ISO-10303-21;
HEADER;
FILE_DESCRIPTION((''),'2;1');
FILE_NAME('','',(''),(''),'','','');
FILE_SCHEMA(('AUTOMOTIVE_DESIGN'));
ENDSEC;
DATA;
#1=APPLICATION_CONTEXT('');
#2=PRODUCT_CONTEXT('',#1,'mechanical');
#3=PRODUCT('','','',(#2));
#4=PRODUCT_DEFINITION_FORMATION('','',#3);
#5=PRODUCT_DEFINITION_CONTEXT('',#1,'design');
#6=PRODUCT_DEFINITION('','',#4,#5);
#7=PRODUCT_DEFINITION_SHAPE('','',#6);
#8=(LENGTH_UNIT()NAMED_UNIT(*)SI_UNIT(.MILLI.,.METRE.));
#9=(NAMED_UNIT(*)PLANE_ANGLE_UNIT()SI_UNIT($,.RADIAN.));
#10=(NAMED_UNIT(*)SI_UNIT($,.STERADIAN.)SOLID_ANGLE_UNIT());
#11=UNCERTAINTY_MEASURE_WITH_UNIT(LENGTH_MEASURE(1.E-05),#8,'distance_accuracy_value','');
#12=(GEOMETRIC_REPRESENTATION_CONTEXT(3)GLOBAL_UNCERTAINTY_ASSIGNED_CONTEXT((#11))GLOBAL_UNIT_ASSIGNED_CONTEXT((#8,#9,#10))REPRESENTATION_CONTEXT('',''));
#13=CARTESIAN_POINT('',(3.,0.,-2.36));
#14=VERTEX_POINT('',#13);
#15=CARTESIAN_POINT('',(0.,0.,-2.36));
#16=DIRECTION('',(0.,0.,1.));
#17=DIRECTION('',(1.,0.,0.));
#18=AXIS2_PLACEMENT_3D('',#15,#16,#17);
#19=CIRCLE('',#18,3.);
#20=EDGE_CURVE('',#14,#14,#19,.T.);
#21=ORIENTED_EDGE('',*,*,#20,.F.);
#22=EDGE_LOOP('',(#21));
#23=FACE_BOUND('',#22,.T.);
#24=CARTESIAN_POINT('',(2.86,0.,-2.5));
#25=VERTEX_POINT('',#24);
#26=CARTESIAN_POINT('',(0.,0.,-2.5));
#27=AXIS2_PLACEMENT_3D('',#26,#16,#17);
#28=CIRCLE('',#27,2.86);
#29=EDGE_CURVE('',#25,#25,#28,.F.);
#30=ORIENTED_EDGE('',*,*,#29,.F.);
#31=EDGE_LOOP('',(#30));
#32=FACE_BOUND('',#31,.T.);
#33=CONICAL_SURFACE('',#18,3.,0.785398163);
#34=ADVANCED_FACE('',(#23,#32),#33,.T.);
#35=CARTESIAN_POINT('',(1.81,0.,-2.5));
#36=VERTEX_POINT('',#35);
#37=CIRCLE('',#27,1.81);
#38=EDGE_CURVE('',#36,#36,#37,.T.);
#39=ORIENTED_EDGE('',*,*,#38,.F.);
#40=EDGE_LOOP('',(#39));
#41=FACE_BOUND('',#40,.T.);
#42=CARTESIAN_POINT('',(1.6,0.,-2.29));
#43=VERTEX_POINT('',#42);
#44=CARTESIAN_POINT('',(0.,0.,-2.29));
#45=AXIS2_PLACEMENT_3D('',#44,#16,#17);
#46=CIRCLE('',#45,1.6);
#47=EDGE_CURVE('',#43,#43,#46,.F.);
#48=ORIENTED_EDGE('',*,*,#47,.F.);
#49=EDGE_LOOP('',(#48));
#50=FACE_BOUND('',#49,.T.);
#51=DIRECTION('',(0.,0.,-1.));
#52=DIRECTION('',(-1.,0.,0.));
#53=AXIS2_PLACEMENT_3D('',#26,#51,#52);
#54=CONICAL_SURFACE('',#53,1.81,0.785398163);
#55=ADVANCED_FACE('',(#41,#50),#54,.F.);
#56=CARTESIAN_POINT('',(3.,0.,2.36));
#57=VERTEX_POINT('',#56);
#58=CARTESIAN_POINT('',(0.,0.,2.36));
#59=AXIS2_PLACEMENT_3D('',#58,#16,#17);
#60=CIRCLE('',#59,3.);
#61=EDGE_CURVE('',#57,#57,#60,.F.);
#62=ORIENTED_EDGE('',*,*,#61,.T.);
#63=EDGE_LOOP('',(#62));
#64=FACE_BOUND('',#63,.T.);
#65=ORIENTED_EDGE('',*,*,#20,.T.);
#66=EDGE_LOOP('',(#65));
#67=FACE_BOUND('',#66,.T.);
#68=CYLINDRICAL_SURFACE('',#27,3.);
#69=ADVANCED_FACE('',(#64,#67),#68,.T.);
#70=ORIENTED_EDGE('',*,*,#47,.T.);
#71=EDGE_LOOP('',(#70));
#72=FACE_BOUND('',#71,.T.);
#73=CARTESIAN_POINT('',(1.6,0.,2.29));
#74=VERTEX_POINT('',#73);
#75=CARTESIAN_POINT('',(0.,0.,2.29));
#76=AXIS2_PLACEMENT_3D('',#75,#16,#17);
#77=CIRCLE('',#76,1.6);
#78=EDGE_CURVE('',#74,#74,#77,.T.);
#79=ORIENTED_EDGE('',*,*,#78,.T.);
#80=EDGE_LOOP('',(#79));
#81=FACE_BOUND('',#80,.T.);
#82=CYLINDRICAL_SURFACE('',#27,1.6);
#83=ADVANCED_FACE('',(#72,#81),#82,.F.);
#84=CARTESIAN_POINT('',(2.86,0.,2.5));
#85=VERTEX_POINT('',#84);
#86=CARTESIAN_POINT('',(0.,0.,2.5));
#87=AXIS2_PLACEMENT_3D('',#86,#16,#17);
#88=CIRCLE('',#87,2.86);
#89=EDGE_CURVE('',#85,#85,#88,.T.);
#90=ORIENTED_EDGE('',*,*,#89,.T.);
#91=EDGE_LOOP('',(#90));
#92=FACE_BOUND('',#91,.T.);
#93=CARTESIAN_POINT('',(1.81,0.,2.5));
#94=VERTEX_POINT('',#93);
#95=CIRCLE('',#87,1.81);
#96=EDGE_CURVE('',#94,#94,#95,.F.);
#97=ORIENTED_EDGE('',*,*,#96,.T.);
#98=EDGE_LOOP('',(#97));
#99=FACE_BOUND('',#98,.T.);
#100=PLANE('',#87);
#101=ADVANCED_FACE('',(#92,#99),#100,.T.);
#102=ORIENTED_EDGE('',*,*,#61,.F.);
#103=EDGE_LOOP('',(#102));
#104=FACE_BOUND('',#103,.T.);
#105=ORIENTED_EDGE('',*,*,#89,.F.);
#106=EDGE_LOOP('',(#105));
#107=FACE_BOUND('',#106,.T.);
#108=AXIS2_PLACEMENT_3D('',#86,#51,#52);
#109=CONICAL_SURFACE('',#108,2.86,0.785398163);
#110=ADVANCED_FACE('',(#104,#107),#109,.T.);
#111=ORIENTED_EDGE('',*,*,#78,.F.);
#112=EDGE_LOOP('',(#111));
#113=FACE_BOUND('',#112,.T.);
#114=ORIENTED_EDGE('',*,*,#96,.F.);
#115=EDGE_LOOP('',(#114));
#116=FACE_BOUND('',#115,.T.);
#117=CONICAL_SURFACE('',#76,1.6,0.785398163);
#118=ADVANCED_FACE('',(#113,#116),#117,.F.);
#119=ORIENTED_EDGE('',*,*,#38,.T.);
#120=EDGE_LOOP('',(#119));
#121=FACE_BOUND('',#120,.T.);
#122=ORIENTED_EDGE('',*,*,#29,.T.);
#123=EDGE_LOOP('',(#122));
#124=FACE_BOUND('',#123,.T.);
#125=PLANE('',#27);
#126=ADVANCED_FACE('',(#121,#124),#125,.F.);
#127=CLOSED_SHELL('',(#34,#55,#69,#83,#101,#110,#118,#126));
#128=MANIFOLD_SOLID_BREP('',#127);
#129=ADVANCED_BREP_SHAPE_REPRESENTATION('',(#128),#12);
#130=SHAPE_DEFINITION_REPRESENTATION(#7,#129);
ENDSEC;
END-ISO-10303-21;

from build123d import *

# Parameters (mm, degrees)
BOSS_EXTRUDE1_DEPTH      = 2.5
BOSS_EXTRUDE1_DEPTH_BACK = 2.5
SKETCH3_R                = 3
SKETCH3_R_2              = 1.6
CHAMFER1_SIZE            = 0.14
CHAMFER2_SIZE            = 0.21


with BuildPart() as part:
    # Sketch3 → Boss-Extrude1 (new, two sides: drawn at the far end of the back side and taken through both)
    with BuildSketch(Plane.XY.offset(-BOSS_EXTRUDE1_DEPTH_BACK)):
        Circle(SKETCH3_R)
        Circle(SKETCH3_R_2, mode=Mode.SUBTRACT)
    extrude(amount=BOSS_EXTRUDE1_DEPTH + BOSS_EXTRUDE1_DEPTH_BACK)

    # Chamfer1
    chamfer1_edges = [part.edges().sort_by_distance(p)[0] for p in [
        (-3, 0, -2.5),
        (-3, 0, 2.5),
    ]]
    chamfer(chamfer1_edges, length=CHAMFER1_SIZE)

    # Chamfer2
    chamfer2_edges = [part.edges().sort_by_distance(p)[0] for p in [
        (-1.6, 0, -2.5),
        (-1.6, 0, 2.5),
    ]]
    chamfer(chamfer2_edges, length=CHAMFER2_SIZE)


solid = part.part
